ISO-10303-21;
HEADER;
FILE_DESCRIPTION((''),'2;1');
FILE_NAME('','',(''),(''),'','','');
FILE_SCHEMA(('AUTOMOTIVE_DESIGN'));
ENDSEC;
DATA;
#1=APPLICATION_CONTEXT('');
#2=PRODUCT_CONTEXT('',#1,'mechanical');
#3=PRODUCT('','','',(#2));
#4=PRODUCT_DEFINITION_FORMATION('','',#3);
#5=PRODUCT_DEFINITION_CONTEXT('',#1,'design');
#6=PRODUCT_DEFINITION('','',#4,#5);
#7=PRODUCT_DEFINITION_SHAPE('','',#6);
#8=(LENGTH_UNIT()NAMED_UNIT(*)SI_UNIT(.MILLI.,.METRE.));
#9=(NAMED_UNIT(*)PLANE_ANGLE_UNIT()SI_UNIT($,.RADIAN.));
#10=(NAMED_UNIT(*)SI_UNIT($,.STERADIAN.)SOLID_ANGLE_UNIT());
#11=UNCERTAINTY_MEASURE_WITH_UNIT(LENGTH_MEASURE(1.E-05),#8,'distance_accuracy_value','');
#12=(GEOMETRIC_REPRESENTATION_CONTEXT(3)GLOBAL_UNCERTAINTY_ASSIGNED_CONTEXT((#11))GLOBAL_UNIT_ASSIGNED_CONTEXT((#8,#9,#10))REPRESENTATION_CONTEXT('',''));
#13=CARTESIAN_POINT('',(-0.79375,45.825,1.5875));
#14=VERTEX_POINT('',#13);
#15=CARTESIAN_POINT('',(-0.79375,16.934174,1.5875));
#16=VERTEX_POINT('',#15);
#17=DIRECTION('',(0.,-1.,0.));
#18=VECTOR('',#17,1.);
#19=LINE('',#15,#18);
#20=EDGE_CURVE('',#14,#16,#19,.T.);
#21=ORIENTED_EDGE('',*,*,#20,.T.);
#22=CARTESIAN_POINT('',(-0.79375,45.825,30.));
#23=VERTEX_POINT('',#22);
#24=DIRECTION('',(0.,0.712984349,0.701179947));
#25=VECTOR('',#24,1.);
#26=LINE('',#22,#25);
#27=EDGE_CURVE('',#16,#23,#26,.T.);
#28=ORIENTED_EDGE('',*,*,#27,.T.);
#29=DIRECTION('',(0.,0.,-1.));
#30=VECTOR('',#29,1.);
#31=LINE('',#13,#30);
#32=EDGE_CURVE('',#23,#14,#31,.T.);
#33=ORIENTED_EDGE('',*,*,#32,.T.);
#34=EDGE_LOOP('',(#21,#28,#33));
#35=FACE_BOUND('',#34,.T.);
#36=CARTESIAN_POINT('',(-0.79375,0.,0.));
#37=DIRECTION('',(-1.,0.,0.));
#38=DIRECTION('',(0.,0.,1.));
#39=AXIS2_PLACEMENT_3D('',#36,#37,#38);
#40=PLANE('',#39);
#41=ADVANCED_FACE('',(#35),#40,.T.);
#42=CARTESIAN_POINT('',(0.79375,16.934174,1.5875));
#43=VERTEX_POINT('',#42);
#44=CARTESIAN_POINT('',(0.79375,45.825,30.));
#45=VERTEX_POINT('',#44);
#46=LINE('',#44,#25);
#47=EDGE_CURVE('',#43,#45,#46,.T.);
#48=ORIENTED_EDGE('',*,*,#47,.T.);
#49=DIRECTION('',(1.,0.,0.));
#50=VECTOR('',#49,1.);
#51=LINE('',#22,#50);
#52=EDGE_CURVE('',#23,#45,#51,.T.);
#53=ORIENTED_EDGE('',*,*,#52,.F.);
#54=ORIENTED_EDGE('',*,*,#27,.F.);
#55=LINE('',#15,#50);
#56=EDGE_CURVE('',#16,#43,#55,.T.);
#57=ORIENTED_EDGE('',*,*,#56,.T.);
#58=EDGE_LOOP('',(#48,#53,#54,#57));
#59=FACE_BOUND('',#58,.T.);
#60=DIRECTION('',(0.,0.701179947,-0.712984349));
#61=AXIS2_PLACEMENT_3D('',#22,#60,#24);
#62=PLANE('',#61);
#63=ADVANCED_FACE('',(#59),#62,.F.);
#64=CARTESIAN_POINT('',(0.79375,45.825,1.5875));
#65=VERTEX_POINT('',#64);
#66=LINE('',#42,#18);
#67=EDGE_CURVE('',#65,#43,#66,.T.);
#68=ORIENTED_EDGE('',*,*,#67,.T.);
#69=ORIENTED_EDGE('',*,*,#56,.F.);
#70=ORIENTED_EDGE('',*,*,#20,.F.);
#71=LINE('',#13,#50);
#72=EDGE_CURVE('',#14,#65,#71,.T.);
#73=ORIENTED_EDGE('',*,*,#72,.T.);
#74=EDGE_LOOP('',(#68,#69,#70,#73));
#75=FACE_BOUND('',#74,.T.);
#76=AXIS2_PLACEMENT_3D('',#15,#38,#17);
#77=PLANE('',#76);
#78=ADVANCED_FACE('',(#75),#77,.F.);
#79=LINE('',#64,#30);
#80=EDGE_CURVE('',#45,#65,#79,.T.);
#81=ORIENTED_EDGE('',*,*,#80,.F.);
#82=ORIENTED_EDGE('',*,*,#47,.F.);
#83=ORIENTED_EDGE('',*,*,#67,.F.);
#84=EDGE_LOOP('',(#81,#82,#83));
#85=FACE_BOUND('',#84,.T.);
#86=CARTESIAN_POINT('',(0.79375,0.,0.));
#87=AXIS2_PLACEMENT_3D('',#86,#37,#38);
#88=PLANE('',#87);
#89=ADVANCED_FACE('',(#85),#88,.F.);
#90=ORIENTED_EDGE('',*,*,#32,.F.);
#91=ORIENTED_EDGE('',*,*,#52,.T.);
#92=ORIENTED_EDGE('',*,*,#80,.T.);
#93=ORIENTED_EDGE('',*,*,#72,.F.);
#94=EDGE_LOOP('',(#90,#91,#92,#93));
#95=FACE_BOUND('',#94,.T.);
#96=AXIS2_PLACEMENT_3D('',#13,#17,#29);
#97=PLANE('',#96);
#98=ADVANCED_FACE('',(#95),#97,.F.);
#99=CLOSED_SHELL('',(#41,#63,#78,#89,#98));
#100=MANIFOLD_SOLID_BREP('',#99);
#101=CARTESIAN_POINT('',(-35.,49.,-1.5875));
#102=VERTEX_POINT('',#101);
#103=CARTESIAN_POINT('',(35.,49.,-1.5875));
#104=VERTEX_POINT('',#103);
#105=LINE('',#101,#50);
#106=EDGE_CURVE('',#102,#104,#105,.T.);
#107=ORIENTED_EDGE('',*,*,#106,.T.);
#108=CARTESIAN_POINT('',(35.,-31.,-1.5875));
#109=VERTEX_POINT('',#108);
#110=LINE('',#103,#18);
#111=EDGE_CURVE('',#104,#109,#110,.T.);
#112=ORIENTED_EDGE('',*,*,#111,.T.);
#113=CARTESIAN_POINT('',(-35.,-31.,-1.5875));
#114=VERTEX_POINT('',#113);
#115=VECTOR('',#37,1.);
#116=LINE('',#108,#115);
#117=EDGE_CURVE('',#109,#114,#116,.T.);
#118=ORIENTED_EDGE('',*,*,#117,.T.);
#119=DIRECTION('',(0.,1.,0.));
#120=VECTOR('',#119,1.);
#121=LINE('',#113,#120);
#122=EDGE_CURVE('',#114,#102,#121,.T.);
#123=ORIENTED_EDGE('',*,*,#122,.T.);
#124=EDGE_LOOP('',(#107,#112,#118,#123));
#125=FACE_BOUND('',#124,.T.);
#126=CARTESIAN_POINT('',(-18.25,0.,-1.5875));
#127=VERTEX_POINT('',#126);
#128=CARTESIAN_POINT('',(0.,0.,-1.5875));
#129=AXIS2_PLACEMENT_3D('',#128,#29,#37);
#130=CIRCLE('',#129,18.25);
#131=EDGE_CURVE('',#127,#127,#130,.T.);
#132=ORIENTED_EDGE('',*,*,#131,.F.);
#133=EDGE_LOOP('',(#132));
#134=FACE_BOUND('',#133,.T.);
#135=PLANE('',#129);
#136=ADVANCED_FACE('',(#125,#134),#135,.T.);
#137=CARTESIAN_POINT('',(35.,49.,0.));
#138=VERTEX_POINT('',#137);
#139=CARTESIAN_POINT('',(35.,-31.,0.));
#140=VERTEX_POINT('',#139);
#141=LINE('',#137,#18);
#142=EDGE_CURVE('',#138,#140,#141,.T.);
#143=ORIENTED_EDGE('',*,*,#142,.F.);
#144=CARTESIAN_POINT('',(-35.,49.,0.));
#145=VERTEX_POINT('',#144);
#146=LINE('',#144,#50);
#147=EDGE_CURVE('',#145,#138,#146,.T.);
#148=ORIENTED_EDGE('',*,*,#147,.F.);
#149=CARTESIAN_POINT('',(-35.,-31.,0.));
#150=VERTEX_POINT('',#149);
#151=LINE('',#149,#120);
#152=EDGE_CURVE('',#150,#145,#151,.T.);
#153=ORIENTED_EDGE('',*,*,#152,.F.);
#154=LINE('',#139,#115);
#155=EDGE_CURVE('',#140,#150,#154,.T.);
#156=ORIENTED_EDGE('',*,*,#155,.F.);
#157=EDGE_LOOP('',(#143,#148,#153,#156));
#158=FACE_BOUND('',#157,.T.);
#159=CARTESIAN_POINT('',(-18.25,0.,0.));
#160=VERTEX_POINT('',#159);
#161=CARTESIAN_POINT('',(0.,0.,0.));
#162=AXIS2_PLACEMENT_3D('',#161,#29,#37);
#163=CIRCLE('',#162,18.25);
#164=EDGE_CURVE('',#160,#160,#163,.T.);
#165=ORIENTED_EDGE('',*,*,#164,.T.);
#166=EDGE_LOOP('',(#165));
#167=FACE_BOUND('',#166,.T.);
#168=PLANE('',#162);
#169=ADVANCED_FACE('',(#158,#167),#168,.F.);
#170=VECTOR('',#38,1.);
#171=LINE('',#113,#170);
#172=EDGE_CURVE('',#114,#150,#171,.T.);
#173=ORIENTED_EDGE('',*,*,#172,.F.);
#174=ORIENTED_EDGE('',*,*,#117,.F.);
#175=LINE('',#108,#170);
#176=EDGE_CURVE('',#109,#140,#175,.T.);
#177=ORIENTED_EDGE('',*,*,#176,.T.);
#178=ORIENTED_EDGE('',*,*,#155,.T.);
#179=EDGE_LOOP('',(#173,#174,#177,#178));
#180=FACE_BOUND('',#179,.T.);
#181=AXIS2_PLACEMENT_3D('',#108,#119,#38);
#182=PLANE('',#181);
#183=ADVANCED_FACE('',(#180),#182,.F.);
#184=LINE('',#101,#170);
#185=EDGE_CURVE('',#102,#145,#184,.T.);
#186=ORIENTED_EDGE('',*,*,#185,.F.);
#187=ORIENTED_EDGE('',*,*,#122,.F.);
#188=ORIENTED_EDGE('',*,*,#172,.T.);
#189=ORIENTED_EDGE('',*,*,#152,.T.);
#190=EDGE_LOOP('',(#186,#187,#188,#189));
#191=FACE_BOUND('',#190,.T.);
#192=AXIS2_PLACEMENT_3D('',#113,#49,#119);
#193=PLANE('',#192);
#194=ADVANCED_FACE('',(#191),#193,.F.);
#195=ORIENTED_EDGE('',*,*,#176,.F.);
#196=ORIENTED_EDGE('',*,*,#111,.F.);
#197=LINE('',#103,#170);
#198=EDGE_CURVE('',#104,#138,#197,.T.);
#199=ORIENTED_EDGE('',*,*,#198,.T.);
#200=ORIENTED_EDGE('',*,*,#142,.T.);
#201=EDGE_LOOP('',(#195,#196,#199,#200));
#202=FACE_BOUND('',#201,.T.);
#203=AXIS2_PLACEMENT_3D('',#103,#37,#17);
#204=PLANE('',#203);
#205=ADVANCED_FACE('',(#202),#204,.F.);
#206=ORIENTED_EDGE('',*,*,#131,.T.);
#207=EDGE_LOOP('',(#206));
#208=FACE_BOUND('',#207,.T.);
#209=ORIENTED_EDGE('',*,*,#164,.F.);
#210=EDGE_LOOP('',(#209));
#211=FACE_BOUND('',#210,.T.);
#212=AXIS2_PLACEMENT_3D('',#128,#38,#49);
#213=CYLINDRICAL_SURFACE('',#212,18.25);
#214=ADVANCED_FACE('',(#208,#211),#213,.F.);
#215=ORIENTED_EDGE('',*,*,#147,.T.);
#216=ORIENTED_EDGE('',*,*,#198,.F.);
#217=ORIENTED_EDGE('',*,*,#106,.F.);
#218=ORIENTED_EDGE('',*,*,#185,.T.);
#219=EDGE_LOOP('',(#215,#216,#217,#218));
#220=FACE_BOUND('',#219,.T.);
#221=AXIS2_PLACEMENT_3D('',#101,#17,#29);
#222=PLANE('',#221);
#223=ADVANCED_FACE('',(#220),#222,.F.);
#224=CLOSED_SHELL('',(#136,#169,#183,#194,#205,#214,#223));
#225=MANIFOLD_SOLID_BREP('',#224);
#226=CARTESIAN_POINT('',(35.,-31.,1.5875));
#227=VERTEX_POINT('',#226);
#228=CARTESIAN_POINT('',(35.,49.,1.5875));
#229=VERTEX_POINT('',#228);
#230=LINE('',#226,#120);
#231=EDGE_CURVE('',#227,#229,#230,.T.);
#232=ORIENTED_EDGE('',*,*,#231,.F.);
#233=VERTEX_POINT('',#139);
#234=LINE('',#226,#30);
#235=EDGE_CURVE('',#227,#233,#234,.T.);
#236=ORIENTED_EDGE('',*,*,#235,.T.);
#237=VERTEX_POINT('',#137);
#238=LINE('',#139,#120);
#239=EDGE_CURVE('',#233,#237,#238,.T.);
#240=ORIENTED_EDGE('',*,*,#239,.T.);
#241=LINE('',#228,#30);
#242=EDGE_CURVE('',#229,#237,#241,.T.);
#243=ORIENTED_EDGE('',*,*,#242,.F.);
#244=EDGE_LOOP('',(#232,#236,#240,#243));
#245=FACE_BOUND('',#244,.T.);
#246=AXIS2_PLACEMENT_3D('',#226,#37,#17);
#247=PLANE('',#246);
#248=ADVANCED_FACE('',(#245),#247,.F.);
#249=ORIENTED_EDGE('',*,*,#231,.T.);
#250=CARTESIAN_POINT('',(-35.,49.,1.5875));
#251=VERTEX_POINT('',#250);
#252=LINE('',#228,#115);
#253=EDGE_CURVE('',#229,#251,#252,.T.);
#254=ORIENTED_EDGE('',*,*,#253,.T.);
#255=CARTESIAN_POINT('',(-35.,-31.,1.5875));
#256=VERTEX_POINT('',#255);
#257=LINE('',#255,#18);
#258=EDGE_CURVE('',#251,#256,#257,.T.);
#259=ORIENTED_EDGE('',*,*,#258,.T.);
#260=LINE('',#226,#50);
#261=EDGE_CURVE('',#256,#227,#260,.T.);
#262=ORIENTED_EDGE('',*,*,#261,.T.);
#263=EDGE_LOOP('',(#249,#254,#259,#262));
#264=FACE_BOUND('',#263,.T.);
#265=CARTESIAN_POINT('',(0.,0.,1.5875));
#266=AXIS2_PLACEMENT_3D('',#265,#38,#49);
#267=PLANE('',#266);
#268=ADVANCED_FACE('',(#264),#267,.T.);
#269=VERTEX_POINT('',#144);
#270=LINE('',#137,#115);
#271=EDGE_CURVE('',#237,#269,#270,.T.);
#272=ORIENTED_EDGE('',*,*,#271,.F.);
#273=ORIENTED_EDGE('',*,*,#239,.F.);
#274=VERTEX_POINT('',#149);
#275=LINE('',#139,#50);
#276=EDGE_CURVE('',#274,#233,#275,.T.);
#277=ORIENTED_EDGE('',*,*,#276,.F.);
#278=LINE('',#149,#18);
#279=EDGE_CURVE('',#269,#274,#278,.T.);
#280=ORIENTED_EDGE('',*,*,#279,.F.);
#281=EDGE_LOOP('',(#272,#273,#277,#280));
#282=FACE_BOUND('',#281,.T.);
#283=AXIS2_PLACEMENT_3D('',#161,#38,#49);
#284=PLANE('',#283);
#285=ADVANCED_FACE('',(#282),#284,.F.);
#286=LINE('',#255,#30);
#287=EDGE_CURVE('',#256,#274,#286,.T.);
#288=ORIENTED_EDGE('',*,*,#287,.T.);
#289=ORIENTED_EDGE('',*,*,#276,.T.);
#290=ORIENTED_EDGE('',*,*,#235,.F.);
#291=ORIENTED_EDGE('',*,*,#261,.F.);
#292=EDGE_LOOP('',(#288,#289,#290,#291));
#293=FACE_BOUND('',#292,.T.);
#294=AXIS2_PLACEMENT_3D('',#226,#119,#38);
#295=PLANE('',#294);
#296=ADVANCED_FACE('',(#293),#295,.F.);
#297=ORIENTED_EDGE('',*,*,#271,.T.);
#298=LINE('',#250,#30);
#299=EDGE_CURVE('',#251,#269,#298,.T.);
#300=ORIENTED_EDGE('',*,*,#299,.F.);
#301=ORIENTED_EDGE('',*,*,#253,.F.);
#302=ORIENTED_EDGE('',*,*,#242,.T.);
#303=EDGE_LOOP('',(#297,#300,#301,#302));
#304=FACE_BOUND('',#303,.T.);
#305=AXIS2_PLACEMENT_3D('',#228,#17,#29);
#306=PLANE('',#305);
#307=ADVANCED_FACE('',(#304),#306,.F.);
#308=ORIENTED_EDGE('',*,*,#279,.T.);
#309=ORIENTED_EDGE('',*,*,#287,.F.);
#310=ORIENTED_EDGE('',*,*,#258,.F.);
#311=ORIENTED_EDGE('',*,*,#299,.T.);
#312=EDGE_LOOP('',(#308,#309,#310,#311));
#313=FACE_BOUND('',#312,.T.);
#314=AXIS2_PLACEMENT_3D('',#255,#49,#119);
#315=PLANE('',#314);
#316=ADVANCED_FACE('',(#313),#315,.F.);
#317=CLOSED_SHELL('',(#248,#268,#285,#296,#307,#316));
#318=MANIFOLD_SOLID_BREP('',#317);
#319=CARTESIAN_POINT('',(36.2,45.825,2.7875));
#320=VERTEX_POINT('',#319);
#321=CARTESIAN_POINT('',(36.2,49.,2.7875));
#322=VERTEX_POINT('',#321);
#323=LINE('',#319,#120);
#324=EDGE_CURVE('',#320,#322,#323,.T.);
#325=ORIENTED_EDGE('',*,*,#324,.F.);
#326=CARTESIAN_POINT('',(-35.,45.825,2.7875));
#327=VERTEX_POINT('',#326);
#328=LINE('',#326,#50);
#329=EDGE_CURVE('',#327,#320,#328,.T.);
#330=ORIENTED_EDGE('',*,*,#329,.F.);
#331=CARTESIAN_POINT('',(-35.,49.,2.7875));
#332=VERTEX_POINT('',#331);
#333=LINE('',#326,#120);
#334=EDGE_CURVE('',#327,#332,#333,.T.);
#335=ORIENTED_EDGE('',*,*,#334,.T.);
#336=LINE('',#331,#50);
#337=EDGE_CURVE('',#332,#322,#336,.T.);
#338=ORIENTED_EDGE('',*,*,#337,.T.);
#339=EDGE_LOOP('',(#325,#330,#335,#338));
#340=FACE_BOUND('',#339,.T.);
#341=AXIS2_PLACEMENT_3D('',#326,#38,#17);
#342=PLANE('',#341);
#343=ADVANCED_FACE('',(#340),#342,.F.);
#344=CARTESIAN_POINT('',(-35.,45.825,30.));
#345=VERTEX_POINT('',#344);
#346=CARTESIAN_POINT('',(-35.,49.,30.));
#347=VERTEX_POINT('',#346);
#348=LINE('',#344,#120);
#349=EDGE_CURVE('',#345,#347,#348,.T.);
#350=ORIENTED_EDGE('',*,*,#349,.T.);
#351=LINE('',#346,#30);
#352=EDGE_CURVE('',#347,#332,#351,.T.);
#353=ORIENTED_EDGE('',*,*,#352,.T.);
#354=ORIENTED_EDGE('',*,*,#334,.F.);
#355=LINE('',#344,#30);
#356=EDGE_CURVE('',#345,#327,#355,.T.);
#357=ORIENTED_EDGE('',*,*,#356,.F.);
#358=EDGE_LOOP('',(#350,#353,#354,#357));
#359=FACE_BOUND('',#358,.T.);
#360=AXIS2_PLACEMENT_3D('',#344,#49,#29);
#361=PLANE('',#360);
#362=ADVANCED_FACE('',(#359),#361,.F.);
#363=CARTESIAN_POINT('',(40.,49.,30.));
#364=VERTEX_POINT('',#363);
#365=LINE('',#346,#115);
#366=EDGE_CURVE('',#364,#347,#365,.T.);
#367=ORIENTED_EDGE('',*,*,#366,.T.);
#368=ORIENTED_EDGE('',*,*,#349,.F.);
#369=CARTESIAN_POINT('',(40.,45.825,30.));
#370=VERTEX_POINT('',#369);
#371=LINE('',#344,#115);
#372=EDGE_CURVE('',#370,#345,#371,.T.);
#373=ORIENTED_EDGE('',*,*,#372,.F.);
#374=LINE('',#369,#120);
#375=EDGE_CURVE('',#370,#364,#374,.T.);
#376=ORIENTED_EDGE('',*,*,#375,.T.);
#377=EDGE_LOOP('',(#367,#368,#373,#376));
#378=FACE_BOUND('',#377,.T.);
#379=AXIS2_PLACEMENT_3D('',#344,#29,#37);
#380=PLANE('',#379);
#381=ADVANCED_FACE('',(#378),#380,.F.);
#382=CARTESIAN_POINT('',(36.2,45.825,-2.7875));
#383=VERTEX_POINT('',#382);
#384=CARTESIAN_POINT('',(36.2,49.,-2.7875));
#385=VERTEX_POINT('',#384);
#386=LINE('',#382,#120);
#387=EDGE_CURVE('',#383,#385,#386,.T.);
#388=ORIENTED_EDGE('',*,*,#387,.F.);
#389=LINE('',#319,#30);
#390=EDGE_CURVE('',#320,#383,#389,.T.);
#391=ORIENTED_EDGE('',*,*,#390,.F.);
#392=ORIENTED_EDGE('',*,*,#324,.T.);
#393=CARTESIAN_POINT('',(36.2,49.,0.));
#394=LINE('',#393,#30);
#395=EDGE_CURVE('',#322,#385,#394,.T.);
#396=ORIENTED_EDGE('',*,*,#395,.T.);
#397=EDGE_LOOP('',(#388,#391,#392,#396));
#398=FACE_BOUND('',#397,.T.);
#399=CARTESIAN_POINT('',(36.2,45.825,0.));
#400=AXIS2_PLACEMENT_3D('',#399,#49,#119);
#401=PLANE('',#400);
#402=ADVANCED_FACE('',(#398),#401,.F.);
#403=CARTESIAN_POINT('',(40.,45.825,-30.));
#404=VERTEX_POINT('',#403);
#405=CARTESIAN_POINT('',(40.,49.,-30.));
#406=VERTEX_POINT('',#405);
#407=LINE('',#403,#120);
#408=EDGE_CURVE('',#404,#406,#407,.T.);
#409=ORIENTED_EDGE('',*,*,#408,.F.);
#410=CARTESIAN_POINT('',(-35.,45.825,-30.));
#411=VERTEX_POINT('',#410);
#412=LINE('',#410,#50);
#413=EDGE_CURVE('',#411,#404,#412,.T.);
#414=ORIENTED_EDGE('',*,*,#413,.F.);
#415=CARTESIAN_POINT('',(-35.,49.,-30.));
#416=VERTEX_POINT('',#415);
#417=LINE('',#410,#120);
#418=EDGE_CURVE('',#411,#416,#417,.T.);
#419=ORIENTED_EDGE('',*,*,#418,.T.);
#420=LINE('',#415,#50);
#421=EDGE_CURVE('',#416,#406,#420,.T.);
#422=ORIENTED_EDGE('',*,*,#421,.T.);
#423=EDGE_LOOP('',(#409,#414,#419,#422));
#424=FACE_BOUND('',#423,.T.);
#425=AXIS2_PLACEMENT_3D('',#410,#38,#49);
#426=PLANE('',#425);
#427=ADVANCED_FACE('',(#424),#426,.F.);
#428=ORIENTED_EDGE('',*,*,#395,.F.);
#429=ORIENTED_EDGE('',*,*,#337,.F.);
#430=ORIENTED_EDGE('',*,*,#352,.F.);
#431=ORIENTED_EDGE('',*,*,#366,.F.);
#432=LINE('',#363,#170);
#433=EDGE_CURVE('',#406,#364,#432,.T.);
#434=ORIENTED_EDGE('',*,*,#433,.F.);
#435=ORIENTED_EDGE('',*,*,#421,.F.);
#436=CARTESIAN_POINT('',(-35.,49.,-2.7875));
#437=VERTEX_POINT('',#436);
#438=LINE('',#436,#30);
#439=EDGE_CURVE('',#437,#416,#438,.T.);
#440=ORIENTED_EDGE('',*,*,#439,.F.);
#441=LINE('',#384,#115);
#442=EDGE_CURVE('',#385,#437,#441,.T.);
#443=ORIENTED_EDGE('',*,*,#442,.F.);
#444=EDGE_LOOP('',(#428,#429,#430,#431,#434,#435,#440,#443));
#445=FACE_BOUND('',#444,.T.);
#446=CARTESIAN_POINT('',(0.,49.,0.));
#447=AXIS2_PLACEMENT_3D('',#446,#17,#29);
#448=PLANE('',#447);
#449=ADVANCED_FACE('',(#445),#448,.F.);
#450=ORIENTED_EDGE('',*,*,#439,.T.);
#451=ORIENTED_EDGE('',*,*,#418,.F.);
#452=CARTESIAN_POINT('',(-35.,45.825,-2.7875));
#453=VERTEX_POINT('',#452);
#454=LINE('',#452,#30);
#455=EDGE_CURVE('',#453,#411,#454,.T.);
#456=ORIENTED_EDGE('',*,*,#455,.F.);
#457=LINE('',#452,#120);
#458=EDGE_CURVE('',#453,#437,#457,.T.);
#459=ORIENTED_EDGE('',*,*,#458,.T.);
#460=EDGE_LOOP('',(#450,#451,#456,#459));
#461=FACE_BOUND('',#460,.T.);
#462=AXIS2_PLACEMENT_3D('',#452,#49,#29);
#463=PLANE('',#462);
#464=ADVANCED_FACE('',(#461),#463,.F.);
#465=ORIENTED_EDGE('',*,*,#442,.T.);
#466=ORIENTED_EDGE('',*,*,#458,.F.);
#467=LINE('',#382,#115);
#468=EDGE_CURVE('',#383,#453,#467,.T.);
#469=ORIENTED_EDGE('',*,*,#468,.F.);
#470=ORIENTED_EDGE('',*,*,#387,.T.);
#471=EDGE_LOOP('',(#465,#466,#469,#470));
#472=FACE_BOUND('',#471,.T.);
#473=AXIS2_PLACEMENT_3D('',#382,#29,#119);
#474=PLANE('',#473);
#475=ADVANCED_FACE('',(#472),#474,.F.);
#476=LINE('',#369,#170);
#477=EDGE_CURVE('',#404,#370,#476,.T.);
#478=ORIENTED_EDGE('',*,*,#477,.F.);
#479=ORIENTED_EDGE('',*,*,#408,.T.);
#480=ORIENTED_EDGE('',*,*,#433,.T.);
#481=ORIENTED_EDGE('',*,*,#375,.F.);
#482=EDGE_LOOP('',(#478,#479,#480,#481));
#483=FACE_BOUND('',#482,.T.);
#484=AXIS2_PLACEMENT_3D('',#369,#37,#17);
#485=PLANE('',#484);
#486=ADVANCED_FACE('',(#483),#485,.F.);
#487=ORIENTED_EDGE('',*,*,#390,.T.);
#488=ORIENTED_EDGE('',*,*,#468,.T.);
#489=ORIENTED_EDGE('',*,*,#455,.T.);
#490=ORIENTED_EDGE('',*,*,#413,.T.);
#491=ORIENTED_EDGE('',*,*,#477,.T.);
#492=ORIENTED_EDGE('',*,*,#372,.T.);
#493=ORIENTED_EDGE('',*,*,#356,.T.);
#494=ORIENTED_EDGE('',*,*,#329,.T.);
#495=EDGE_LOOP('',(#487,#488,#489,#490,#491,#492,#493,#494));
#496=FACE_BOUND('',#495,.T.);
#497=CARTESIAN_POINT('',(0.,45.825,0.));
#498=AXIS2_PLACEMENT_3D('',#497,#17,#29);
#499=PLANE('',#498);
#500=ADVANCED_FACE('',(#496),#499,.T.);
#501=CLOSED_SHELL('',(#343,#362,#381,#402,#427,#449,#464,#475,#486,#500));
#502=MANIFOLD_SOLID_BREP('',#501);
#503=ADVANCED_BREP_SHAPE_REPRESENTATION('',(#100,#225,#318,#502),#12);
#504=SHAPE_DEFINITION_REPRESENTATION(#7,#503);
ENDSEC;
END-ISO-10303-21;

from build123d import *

# Parameters (mm, degrees)
SKETCH1_W           = 70
SKETCH1_H           = 80
BOSS_EXTRUDE1_DEPTH = 1.5875
SKETCH2_W           = 70
SKETCH2_H           = 80
SKETCH2_R           = 18.25
BOSS_EXTRUDE2_DEPTH = 1.5875
BOSS_EXTRUDE3_DEPTH = 3.175
BOSS_EXTRUDE4_DEPTH = 0.79375


with BuildPart() as part:
    # Sketch1 → Boss-Extrude1 (new body)
    with BuildSketch(Plane.XY):
        with Locations((0, 9)):
            Rectangle(SKETCH1_W, SKETCH1_H)
    extrude(amount=BOSS_EXTRUDE1_DEPTH)


with BuildPart() as body_2:
    # Sketch2 → Boss-Extrude2 (new body)
    with BuildSketch(Plane(origin=(0, 0, 0), x_dir=(-1, 0, 0), z_dir=(0, 0, -1))):
        with Locations((0, 9)):
            Rectangle(SKETCH2_W, SKETCH2_H)
        Circle(SKETCH2_R, mode=Mode.SUBTRACT)
    extrude(amount=BOSS_EXTRUDE2_DEPTH)


with BuildPart() as body_3:
    # Sketch3 → Boss-Extrude3 (new body)
    with BuildSketch(Plane.XZ.offset(-49)):
        Polygon((-35, 30), (40, 30), (40, -30), (-35, -30), (-35, -2.7875), (36.2, -2.7875), (36.2, 0), (36.2, 2.7875), (-35, 2.7875), align=None)
    extrude(amount=BOSS_EXTRUDE3_DEPTH)


with BuildPart() as body_4:
    # Sketch5 → Boss-Extrude4 (new body, symmetric)
    with BuildSketch(Plane.ZY):
        Polygon((30, 45.825), (1.5875, 16.934174077), (1.5875, 45.825), align=None)
    extrude(amount=BOSS_EXTRUDE4_DEPTH, both=True)


solid = Compound([part.part, body_2.part, body_3.part, body_4.part])
